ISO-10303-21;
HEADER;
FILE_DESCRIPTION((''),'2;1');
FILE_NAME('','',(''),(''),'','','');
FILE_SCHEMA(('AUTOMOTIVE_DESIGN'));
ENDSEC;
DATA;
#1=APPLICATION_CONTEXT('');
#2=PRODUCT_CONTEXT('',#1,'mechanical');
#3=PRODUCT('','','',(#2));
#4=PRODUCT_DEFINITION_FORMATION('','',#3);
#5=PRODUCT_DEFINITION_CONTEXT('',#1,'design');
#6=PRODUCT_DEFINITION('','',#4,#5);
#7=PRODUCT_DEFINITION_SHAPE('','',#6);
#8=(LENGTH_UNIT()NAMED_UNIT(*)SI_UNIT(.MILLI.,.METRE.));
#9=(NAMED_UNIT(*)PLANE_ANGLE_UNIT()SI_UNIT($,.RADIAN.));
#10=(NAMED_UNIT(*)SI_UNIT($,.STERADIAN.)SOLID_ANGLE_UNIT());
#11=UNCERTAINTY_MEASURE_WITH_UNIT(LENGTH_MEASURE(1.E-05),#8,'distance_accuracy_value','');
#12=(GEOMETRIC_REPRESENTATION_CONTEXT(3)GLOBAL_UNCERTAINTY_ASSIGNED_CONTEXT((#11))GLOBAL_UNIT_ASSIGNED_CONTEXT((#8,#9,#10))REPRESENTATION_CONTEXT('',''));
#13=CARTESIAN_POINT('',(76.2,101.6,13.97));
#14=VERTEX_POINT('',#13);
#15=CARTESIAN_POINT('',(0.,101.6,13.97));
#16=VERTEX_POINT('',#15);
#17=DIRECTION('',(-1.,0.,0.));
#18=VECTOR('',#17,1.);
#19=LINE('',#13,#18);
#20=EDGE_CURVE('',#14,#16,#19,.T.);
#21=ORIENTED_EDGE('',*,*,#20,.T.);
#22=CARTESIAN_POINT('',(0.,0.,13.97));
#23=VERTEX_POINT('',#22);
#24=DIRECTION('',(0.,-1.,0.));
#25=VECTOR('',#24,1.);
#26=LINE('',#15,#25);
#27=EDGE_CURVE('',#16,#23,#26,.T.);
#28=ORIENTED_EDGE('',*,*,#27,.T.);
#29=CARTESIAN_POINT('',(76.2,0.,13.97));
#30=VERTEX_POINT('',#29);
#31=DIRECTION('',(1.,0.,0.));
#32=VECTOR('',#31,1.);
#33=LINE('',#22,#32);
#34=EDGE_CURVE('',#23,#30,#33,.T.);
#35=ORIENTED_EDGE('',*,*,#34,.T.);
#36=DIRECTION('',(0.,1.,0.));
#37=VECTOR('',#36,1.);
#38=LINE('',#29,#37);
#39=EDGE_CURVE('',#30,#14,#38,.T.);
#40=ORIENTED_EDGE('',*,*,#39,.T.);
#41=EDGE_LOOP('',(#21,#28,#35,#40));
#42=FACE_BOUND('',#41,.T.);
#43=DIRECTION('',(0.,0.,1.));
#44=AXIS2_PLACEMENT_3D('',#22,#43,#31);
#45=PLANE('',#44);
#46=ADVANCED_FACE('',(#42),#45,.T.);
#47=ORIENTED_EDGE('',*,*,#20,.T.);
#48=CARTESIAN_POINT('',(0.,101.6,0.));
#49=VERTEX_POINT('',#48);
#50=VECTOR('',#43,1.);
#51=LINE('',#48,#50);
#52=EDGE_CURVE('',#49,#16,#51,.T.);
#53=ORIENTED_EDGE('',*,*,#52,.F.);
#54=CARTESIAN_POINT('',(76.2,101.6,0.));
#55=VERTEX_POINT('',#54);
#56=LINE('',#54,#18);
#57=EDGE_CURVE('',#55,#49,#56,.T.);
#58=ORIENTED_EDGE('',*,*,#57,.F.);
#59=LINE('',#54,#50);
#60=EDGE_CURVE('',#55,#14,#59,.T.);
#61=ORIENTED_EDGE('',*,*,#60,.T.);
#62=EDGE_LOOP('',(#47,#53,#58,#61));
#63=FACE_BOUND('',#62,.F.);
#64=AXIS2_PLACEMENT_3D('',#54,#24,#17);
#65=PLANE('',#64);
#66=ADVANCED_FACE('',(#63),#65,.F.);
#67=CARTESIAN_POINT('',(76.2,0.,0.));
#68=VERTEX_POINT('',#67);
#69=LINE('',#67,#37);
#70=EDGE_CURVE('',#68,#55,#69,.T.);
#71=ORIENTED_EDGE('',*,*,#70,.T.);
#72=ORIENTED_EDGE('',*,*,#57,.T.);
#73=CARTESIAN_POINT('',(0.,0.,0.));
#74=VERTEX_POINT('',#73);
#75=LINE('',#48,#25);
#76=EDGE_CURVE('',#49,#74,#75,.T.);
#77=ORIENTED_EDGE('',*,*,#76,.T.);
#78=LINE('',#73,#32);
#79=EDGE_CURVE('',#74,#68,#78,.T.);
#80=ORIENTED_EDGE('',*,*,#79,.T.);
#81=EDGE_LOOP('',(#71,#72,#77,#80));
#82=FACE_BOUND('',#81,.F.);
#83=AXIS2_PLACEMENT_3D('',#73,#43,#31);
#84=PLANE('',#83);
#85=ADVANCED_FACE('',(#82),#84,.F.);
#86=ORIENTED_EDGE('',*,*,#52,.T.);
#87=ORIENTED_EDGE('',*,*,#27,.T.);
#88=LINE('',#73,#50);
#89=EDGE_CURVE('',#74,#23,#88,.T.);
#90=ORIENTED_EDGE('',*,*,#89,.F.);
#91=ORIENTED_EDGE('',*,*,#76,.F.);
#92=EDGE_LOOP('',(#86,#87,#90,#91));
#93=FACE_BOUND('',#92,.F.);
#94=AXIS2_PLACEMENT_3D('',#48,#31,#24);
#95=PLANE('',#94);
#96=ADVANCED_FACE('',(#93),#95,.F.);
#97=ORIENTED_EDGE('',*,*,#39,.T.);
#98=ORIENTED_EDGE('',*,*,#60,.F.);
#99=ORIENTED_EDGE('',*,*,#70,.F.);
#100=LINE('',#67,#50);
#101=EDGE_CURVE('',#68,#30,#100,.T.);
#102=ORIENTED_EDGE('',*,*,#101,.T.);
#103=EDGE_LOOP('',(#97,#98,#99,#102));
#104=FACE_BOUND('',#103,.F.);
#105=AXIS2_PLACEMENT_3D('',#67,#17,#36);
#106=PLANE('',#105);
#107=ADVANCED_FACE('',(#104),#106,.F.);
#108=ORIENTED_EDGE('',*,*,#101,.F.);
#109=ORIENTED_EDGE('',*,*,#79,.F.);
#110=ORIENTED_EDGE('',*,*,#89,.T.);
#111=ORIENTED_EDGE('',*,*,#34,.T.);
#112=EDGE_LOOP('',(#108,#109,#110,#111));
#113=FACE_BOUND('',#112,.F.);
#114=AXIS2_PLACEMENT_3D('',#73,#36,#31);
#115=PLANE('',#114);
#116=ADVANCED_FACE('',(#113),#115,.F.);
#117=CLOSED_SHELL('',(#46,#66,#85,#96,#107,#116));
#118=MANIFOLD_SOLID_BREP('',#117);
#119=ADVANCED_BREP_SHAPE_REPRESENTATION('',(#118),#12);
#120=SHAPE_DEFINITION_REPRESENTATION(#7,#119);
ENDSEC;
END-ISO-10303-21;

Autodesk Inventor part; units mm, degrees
ref_plane "YZ Plane" through (0, 0, 0) normal (1, 0, 0) x (0, 1, 0)
ref_plane "XZ Plane" through (0, 0, 0) normal (0, 1, 0) x (-1, 0, 0)
ref_plane "XY Plane" through (0, 0, 0) normal (0, 0, 1) x (1, 0, 0)
sketch "Sketch1" plane through (0, 0, 0) normal (0, 0, 1) x (1, 0, 0)
  line L0 (0, 0) -> (76.2, 0)
  line L1 (76.2, 0) -> (76.2, 101.6)
  line L2 (76.2, 101.6) -> (0, 101.6)
  line L3 (0, 101.6) -> (0, 0)
  dimension "d0" = 76.2
  dimension "d1" = 101.6
extrude "Extrusion1" add sketch "Sketch1" along normal blind 13.97
properties part number "cRIO Breakout Keepout"
